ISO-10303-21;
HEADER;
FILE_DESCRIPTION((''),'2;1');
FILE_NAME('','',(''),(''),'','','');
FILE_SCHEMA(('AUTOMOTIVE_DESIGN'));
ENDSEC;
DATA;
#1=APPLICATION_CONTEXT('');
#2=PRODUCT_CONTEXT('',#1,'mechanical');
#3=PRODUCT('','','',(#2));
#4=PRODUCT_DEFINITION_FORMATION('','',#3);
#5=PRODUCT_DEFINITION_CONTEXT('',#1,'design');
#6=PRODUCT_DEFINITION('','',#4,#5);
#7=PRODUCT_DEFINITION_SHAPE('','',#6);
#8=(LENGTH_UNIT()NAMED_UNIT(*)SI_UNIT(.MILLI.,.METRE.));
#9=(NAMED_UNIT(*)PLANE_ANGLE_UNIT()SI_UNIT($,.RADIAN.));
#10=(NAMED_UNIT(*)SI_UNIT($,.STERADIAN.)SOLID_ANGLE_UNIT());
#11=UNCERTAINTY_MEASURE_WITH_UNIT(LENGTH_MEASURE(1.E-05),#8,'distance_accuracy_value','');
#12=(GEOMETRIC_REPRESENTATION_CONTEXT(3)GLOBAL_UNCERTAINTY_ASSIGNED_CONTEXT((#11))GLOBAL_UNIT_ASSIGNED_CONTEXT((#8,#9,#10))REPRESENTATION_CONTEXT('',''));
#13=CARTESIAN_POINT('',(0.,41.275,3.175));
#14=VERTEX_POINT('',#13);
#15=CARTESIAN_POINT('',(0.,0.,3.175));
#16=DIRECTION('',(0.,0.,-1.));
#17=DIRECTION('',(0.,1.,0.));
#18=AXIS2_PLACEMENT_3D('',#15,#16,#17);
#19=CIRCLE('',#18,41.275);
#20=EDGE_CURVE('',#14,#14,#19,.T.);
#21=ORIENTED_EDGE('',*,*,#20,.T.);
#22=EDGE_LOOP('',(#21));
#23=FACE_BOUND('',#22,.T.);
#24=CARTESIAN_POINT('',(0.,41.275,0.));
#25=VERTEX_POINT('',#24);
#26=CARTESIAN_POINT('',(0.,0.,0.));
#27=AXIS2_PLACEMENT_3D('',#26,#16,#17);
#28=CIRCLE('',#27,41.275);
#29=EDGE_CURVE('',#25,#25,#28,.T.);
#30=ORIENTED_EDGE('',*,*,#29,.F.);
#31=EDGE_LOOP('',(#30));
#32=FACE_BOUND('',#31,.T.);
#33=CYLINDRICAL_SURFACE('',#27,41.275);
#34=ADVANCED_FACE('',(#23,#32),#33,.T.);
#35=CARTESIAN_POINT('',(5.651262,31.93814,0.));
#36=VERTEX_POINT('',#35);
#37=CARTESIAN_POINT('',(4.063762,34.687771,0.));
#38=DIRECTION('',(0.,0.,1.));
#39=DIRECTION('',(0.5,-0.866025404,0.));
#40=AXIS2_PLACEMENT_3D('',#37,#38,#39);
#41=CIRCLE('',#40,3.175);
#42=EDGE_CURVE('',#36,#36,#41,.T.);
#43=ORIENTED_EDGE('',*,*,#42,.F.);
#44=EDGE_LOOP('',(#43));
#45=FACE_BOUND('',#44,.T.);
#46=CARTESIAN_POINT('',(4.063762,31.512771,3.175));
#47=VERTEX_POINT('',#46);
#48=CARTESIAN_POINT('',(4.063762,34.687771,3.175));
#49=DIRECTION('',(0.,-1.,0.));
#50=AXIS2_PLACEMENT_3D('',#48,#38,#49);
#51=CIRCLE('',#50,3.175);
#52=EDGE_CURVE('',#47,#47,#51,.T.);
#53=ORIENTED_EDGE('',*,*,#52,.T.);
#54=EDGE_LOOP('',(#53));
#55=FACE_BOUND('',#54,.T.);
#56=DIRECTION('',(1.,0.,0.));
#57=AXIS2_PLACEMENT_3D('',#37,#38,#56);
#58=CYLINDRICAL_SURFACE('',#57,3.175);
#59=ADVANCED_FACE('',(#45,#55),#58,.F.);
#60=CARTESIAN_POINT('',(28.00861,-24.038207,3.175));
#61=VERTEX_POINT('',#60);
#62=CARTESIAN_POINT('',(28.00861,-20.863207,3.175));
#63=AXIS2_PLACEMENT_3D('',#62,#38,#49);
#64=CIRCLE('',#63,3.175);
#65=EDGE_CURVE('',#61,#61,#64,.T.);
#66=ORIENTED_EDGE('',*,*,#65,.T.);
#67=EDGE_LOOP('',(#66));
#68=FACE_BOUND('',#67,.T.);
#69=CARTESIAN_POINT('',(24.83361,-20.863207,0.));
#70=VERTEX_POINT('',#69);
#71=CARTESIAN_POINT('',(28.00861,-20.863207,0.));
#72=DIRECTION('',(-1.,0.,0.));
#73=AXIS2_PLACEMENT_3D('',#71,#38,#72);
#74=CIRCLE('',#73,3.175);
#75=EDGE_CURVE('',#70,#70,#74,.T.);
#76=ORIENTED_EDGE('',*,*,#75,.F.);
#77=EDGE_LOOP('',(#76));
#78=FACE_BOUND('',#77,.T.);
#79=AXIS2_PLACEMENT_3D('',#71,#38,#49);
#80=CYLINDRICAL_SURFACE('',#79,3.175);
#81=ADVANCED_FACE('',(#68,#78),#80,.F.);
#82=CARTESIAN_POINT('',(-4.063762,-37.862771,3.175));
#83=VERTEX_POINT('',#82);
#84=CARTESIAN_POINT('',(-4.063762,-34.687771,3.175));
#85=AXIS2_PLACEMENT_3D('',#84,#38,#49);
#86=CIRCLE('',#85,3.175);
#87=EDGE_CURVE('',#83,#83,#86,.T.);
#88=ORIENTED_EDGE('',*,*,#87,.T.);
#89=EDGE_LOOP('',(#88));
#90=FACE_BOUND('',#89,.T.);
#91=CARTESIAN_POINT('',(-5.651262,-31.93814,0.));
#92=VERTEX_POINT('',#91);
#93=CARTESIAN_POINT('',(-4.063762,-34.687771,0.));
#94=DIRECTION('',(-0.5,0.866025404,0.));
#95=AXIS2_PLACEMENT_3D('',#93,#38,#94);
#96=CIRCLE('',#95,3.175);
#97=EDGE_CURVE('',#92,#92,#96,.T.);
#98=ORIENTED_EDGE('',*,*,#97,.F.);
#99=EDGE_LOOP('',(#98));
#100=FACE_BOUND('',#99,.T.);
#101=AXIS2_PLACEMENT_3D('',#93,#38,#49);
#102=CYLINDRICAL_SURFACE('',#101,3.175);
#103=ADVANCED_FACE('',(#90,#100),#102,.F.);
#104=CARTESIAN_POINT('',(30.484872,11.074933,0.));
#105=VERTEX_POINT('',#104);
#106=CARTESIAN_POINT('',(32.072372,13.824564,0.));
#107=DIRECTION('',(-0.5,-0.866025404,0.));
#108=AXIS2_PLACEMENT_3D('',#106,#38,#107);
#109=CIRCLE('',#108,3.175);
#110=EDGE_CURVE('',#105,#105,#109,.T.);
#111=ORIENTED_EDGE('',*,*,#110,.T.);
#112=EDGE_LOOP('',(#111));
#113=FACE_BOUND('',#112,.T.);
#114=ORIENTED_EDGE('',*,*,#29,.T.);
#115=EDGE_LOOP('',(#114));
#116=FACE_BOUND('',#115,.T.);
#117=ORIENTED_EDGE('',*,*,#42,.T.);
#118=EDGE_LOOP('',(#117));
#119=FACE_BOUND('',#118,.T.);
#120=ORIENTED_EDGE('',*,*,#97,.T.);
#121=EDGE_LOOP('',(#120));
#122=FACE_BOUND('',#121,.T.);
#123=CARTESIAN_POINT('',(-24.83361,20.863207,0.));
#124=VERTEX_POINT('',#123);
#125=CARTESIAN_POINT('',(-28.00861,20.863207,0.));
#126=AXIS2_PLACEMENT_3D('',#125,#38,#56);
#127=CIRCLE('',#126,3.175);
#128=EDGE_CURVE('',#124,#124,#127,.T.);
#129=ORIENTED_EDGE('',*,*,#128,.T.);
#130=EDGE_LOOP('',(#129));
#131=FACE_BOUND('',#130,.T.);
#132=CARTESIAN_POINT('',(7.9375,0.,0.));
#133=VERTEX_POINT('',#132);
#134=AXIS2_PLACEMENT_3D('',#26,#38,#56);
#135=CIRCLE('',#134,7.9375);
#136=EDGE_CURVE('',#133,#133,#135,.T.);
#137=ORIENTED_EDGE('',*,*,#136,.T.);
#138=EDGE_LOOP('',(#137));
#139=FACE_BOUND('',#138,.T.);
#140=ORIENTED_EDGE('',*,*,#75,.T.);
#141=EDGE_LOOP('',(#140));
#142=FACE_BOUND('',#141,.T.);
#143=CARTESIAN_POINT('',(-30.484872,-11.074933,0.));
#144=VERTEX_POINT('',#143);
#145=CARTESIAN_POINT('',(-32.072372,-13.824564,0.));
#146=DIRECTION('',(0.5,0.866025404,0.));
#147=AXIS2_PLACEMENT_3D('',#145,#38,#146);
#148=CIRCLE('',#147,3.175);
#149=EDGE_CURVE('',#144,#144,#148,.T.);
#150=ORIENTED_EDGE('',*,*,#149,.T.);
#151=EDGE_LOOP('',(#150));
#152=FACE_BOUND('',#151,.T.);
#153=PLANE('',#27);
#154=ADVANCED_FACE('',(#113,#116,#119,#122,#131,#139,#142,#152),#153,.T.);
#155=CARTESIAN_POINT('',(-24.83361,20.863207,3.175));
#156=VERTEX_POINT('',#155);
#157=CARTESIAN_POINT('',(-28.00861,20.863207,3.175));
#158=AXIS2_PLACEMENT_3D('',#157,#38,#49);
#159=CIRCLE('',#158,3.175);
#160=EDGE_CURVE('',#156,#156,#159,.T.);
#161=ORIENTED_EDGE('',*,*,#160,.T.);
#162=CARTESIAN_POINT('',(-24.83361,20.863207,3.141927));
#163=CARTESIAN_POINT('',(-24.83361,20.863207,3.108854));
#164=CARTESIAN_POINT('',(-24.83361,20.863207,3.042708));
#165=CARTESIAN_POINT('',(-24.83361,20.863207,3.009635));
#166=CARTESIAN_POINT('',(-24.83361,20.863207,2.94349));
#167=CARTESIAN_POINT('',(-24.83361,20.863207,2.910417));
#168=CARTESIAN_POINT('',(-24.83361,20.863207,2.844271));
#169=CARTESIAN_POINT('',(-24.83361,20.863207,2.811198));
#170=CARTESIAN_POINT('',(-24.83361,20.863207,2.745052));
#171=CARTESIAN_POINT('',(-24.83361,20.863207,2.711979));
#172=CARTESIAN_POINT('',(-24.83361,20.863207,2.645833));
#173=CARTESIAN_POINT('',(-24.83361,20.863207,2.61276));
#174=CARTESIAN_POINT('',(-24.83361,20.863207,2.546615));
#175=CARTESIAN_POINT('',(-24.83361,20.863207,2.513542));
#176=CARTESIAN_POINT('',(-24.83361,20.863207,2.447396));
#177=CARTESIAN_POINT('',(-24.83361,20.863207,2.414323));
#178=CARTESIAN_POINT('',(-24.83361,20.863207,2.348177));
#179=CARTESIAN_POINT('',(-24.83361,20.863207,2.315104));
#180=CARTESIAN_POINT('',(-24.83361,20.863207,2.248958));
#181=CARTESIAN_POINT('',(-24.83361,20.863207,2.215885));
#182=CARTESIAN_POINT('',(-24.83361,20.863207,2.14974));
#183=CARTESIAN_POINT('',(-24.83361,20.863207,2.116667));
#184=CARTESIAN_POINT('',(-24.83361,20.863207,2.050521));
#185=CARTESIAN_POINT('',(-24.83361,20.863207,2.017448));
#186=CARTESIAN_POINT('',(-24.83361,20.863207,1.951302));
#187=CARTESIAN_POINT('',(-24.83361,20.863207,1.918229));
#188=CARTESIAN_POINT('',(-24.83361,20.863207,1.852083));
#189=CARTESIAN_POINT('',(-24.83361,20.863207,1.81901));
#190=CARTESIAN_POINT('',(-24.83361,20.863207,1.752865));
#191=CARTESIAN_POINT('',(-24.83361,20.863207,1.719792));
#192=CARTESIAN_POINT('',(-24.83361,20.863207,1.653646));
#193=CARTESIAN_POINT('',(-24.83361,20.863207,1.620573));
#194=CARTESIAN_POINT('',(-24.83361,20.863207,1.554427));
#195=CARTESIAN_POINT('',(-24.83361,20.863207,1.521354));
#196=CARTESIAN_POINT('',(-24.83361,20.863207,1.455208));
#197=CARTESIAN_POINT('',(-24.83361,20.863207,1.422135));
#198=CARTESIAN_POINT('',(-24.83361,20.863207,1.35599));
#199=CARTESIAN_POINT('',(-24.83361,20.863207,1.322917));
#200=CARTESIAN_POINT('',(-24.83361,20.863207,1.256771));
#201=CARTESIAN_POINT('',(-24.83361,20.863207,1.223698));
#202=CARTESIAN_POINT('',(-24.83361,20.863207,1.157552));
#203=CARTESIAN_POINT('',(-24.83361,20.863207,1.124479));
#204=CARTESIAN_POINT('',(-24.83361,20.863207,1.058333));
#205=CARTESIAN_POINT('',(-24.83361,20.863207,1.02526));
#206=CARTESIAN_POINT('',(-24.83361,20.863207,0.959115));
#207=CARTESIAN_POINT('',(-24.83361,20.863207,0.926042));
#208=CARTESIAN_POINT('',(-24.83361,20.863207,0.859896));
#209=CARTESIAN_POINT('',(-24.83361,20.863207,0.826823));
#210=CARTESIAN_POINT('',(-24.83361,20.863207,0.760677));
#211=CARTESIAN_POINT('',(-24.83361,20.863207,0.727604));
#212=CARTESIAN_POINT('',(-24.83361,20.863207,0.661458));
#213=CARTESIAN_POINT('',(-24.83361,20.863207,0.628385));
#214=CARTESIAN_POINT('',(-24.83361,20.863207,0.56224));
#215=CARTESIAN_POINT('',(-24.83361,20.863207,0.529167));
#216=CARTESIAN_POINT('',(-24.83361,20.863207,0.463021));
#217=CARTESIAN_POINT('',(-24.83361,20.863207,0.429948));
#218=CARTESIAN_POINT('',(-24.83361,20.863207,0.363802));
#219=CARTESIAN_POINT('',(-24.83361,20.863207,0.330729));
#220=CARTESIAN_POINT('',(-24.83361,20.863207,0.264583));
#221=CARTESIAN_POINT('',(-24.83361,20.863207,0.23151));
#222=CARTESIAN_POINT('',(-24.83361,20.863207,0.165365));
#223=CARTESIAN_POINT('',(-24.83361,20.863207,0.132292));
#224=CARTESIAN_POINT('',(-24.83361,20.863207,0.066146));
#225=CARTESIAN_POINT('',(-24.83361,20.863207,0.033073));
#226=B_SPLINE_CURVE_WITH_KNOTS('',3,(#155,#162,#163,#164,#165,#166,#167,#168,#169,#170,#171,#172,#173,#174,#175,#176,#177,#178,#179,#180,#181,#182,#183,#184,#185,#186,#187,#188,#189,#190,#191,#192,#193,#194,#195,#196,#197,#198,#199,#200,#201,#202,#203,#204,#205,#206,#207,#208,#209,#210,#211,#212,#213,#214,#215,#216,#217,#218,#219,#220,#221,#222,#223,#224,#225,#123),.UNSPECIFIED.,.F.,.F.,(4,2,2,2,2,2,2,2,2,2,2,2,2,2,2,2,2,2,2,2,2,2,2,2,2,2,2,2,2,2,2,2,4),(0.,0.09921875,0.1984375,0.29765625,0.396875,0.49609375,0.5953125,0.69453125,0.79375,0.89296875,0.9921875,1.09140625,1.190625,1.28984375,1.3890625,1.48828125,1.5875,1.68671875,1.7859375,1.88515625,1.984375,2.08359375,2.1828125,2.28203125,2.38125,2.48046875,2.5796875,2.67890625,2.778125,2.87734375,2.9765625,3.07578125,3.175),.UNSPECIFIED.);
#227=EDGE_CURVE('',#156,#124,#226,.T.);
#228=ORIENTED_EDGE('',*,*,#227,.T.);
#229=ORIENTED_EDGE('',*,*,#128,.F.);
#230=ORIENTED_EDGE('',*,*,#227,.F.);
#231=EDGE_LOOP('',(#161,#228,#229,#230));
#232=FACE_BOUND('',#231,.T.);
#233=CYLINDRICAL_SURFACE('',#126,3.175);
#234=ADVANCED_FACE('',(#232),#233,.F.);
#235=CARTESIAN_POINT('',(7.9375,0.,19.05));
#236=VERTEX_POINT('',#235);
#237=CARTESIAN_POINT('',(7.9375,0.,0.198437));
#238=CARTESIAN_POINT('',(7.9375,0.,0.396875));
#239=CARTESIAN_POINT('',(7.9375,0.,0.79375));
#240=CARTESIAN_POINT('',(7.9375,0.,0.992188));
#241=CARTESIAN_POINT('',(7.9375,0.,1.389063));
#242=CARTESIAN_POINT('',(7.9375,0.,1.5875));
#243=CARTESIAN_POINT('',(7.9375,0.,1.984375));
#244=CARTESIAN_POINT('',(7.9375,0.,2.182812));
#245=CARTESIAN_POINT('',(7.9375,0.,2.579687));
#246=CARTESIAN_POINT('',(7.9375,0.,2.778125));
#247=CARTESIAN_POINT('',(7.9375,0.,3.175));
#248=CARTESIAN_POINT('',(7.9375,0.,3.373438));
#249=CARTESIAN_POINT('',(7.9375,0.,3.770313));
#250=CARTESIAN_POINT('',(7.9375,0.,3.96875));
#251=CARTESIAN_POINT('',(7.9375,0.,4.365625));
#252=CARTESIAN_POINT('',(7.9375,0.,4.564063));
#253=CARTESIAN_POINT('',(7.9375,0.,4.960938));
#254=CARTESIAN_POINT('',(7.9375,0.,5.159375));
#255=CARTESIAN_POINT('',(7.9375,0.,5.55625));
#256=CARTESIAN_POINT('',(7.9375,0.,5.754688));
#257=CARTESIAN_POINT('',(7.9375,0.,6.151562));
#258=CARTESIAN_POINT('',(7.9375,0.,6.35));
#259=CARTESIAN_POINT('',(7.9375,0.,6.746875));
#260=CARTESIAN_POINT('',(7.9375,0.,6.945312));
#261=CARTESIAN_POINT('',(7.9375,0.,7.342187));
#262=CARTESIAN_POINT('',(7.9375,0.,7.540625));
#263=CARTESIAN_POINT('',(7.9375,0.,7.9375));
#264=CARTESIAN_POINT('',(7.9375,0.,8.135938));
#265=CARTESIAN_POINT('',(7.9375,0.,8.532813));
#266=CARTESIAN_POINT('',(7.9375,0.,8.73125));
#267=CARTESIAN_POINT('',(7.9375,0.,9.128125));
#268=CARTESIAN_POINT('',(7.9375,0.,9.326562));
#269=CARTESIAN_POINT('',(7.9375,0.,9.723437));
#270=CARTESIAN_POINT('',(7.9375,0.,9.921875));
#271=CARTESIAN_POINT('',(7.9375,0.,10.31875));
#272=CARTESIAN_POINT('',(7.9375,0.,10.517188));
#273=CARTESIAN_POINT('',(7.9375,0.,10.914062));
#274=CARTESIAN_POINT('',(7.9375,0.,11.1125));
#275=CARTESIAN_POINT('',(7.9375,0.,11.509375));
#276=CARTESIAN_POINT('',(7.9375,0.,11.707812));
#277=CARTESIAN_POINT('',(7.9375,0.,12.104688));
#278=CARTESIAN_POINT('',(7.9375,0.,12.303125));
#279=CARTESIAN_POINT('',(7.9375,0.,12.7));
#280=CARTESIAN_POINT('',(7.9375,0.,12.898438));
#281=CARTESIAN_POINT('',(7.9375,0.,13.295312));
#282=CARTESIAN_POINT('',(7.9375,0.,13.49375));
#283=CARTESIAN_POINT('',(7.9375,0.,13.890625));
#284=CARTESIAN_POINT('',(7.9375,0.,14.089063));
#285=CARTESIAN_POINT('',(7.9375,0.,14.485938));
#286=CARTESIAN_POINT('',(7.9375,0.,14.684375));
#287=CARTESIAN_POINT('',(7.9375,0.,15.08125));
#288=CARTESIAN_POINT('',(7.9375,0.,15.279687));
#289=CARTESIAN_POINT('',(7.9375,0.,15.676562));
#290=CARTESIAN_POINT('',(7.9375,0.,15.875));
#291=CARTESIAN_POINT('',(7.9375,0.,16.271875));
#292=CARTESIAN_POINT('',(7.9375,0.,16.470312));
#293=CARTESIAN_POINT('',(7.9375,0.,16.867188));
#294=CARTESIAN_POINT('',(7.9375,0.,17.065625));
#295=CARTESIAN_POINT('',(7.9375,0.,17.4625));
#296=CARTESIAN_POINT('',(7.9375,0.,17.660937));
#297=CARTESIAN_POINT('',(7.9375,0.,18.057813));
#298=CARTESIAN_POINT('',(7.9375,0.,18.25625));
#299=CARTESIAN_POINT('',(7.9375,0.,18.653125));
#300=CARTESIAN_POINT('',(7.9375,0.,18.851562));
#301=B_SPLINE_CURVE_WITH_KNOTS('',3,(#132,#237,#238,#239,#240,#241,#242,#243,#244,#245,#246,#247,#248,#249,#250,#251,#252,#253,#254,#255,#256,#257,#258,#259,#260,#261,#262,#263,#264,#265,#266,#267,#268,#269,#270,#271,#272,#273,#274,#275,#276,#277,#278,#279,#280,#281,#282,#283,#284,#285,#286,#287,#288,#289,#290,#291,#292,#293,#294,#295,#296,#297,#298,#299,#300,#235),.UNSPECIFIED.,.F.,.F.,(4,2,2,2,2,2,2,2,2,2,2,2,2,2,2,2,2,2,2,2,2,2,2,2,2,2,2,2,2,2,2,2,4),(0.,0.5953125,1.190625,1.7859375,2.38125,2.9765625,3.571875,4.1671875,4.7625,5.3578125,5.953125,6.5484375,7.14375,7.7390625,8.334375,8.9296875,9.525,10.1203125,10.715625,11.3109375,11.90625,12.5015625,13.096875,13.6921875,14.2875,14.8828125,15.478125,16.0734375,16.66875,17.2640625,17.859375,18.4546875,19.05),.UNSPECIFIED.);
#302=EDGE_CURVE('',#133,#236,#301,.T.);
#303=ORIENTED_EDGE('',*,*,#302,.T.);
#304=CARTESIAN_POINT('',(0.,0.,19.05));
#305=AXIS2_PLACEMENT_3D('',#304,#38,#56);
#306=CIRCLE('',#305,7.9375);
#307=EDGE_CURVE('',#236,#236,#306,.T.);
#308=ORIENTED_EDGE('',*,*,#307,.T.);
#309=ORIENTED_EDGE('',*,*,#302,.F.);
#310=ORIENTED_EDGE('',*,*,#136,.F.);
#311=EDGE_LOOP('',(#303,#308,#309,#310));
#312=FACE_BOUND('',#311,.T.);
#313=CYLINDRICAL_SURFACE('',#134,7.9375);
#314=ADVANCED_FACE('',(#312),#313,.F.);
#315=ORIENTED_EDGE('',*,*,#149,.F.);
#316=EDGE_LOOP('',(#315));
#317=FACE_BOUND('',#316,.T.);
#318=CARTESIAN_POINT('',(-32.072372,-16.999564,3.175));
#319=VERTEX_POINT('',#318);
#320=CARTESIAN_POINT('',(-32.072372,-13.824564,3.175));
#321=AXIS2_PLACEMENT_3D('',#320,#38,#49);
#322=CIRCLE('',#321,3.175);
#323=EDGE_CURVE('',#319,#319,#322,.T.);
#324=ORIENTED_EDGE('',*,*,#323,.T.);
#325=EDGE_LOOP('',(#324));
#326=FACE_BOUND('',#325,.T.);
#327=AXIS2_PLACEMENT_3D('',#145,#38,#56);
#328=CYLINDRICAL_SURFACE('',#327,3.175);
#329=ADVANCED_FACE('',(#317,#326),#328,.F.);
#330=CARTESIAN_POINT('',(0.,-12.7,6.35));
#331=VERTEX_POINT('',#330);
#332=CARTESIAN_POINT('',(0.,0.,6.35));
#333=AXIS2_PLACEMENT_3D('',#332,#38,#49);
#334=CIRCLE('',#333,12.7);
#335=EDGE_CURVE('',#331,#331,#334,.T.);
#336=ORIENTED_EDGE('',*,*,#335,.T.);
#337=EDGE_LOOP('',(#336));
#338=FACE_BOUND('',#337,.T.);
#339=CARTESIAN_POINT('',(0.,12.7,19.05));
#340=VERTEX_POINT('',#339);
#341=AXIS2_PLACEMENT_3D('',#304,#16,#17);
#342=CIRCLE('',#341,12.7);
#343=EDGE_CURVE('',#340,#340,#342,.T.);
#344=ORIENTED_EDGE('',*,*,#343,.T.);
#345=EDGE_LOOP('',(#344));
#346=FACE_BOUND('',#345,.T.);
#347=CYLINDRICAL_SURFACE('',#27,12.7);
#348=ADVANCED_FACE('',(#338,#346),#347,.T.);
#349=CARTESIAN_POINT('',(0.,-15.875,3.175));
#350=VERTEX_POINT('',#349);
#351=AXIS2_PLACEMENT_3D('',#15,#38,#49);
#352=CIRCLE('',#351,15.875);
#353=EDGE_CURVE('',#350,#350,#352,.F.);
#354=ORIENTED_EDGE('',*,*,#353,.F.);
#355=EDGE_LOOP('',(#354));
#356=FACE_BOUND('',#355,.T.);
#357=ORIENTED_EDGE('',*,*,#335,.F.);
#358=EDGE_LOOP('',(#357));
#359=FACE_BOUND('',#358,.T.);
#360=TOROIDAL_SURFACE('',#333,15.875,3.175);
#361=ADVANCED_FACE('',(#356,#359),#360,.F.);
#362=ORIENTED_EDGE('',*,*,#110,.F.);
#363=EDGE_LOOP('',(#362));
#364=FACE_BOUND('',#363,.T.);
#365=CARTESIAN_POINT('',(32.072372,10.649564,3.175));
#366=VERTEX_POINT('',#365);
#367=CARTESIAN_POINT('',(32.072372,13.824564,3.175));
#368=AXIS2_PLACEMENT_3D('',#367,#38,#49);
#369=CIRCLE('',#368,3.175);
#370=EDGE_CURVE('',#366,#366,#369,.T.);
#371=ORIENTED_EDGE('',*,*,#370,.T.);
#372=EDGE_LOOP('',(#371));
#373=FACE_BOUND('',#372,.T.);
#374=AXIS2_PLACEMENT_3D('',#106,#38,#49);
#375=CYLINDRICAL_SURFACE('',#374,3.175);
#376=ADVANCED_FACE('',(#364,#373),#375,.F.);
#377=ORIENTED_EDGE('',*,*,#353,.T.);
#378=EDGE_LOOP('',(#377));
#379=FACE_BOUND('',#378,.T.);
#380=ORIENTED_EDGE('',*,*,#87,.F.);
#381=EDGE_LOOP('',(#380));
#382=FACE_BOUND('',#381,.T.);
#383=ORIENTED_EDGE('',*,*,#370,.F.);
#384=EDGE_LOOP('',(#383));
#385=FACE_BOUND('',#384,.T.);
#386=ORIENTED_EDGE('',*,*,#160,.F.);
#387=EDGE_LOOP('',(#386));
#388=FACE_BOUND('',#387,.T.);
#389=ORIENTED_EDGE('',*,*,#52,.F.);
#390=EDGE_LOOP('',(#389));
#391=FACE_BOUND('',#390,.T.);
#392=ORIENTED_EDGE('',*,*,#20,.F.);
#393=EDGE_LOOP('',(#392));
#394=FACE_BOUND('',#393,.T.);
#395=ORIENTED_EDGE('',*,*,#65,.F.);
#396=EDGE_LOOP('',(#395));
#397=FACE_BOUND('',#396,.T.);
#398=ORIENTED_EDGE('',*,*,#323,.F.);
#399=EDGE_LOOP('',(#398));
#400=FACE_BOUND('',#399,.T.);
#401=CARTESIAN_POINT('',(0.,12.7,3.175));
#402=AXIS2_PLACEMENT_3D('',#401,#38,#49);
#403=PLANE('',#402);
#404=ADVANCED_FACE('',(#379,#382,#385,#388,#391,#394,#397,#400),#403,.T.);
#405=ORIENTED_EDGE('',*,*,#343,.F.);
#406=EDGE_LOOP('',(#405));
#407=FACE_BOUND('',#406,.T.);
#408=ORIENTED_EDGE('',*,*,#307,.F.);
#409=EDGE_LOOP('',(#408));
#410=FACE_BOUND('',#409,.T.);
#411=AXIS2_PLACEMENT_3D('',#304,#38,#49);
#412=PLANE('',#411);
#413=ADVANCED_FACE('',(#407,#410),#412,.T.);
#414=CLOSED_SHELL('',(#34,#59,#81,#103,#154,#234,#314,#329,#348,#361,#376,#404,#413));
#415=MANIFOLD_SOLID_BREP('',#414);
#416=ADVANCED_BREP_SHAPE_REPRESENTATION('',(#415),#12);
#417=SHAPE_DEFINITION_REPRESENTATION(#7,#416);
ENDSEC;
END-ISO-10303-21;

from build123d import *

# Parameters (mm, degrees)
SKETCH3_R          = 7.9375
SKETCH3_R_2        = 3.175
CUT_EXTRUDE1_DEPTH = 62.401577748
CIRPATTERN1_COUNT  = 6
FILLET1_R          = 3.175


with BuildPart() as part:
    # Sketch2 → Revolve1 (revolve)
    with BuildSketch(Plane(origin=(0, 0, 0), x_dir=(0, 0, -1), z_dir=(1, 0, 0))):
        Polygon((0, 0), (0, 41.275), (-3.175, 41.275), (-3.175, 12.7), (-19.05, 12.7), (-19.05, 0), align=None)
    revolve(axis=Axis((0, 0, 0), (0, 0, 1)))

    # Sketch3 → Cut-Extrude1 (cut, through all)
    with BuildSketch(Plane.XY.offset(19.05)):
        Circle(SKETCH3_R)
        with Locations((-28.008609796, 20.863206903)):
            Circle(SKETCH3_R_2)
    cut_extrude1 = extrude(amount=-CUT_EXTRUDE1_DEPTH, mode=Mode.SUBTRACT)

    # CirPattern1: Cut-Extrude1 ×6 about axis
    cirpattern1_axis = Axis((0, 0, 0), (0, 0, 1))
    for i in range(1, CIRPATTERN1_COUNT):
        add(cut_extrude1.rotate(cirpattern1_axis, i * 360 / CIRPATTERN1_COUNT), mode=Mode.SUBTRACT)

    # Fillet1
    fillet1_edges = [part.edges().sort_by_distance(p)[0] for p in [
        (0, -12.7, 3.175),
    ]]
    fillet(fillet1_edges, radius=FILLET1_R)


solid = part.part
